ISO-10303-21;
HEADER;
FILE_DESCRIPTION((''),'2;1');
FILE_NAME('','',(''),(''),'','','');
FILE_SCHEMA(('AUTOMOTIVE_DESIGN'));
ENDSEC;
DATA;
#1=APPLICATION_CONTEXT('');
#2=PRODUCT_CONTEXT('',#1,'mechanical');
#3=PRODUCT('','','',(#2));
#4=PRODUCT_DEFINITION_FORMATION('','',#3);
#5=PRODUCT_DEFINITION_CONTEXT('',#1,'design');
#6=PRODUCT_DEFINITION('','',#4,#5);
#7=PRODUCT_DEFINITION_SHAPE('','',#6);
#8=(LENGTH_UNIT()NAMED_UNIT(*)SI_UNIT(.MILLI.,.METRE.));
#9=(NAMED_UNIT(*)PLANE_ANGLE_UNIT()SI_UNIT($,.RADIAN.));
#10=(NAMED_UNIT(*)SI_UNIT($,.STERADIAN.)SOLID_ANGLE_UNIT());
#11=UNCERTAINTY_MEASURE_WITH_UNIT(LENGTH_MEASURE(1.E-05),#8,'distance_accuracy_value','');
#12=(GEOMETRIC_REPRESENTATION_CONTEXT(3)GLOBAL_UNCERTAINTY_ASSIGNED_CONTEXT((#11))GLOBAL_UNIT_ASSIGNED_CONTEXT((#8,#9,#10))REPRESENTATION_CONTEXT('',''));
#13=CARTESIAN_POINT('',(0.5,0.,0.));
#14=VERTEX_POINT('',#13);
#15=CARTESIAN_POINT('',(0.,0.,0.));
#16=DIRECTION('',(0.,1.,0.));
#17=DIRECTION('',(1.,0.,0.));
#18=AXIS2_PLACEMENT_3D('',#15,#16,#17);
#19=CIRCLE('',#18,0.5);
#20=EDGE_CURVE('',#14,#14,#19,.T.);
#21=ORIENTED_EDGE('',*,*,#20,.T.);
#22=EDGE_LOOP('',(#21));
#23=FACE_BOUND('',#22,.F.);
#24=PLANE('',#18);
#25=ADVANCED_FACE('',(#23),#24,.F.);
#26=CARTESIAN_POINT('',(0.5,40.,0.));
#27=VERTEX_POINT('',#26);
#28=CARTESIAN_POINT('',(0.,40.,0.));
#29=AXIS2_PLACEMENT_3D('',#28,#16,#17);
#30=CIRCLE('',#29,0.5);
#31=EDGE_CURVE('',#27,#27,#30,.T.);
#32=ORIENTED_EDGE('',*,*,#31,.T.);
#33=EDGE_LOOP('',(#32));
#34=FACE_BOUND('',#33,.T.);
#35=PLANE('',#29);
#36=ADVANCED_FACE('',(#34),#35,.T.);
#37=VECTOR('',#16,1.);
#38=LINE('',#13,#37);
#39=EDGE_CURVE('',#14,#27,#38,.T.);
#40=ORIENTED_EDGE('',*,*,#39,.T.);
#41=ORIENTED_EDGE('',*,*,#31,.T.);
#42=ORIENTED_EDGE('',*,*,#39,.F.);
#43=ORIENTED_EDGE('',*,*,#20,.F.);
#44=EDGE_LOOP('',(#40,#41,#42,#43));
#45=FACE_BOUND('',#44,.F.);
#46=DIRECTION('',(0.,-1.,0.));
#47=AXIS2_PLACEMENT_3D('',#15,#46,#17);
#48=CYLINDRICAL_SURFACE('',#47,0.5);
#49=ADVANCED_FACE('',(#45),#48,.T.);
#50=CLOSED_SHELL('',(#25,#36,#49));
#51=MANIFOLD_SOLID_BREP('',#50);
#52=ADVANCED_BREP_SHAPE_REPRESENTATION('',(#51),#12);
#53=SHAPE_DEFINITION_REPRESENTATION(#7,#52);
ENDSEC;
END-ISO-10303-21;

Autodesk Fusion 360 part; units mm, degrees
sketch "Sketch1" plane through (0, 0, 0) normal (0, 1, 0) x (1, 0, 0)
  circle A0 centre (0, 0) radius 0.5
  dimension "d1" = 1
extrude "Extrude1" add sketch "Sketch1" along normal blind 40
sketch "Sketch2" plane through (0, 0, 0) normal (0, -1, 0) x (1, 0, 0)
  circle A0 centre (0, 0) radius 0.5
